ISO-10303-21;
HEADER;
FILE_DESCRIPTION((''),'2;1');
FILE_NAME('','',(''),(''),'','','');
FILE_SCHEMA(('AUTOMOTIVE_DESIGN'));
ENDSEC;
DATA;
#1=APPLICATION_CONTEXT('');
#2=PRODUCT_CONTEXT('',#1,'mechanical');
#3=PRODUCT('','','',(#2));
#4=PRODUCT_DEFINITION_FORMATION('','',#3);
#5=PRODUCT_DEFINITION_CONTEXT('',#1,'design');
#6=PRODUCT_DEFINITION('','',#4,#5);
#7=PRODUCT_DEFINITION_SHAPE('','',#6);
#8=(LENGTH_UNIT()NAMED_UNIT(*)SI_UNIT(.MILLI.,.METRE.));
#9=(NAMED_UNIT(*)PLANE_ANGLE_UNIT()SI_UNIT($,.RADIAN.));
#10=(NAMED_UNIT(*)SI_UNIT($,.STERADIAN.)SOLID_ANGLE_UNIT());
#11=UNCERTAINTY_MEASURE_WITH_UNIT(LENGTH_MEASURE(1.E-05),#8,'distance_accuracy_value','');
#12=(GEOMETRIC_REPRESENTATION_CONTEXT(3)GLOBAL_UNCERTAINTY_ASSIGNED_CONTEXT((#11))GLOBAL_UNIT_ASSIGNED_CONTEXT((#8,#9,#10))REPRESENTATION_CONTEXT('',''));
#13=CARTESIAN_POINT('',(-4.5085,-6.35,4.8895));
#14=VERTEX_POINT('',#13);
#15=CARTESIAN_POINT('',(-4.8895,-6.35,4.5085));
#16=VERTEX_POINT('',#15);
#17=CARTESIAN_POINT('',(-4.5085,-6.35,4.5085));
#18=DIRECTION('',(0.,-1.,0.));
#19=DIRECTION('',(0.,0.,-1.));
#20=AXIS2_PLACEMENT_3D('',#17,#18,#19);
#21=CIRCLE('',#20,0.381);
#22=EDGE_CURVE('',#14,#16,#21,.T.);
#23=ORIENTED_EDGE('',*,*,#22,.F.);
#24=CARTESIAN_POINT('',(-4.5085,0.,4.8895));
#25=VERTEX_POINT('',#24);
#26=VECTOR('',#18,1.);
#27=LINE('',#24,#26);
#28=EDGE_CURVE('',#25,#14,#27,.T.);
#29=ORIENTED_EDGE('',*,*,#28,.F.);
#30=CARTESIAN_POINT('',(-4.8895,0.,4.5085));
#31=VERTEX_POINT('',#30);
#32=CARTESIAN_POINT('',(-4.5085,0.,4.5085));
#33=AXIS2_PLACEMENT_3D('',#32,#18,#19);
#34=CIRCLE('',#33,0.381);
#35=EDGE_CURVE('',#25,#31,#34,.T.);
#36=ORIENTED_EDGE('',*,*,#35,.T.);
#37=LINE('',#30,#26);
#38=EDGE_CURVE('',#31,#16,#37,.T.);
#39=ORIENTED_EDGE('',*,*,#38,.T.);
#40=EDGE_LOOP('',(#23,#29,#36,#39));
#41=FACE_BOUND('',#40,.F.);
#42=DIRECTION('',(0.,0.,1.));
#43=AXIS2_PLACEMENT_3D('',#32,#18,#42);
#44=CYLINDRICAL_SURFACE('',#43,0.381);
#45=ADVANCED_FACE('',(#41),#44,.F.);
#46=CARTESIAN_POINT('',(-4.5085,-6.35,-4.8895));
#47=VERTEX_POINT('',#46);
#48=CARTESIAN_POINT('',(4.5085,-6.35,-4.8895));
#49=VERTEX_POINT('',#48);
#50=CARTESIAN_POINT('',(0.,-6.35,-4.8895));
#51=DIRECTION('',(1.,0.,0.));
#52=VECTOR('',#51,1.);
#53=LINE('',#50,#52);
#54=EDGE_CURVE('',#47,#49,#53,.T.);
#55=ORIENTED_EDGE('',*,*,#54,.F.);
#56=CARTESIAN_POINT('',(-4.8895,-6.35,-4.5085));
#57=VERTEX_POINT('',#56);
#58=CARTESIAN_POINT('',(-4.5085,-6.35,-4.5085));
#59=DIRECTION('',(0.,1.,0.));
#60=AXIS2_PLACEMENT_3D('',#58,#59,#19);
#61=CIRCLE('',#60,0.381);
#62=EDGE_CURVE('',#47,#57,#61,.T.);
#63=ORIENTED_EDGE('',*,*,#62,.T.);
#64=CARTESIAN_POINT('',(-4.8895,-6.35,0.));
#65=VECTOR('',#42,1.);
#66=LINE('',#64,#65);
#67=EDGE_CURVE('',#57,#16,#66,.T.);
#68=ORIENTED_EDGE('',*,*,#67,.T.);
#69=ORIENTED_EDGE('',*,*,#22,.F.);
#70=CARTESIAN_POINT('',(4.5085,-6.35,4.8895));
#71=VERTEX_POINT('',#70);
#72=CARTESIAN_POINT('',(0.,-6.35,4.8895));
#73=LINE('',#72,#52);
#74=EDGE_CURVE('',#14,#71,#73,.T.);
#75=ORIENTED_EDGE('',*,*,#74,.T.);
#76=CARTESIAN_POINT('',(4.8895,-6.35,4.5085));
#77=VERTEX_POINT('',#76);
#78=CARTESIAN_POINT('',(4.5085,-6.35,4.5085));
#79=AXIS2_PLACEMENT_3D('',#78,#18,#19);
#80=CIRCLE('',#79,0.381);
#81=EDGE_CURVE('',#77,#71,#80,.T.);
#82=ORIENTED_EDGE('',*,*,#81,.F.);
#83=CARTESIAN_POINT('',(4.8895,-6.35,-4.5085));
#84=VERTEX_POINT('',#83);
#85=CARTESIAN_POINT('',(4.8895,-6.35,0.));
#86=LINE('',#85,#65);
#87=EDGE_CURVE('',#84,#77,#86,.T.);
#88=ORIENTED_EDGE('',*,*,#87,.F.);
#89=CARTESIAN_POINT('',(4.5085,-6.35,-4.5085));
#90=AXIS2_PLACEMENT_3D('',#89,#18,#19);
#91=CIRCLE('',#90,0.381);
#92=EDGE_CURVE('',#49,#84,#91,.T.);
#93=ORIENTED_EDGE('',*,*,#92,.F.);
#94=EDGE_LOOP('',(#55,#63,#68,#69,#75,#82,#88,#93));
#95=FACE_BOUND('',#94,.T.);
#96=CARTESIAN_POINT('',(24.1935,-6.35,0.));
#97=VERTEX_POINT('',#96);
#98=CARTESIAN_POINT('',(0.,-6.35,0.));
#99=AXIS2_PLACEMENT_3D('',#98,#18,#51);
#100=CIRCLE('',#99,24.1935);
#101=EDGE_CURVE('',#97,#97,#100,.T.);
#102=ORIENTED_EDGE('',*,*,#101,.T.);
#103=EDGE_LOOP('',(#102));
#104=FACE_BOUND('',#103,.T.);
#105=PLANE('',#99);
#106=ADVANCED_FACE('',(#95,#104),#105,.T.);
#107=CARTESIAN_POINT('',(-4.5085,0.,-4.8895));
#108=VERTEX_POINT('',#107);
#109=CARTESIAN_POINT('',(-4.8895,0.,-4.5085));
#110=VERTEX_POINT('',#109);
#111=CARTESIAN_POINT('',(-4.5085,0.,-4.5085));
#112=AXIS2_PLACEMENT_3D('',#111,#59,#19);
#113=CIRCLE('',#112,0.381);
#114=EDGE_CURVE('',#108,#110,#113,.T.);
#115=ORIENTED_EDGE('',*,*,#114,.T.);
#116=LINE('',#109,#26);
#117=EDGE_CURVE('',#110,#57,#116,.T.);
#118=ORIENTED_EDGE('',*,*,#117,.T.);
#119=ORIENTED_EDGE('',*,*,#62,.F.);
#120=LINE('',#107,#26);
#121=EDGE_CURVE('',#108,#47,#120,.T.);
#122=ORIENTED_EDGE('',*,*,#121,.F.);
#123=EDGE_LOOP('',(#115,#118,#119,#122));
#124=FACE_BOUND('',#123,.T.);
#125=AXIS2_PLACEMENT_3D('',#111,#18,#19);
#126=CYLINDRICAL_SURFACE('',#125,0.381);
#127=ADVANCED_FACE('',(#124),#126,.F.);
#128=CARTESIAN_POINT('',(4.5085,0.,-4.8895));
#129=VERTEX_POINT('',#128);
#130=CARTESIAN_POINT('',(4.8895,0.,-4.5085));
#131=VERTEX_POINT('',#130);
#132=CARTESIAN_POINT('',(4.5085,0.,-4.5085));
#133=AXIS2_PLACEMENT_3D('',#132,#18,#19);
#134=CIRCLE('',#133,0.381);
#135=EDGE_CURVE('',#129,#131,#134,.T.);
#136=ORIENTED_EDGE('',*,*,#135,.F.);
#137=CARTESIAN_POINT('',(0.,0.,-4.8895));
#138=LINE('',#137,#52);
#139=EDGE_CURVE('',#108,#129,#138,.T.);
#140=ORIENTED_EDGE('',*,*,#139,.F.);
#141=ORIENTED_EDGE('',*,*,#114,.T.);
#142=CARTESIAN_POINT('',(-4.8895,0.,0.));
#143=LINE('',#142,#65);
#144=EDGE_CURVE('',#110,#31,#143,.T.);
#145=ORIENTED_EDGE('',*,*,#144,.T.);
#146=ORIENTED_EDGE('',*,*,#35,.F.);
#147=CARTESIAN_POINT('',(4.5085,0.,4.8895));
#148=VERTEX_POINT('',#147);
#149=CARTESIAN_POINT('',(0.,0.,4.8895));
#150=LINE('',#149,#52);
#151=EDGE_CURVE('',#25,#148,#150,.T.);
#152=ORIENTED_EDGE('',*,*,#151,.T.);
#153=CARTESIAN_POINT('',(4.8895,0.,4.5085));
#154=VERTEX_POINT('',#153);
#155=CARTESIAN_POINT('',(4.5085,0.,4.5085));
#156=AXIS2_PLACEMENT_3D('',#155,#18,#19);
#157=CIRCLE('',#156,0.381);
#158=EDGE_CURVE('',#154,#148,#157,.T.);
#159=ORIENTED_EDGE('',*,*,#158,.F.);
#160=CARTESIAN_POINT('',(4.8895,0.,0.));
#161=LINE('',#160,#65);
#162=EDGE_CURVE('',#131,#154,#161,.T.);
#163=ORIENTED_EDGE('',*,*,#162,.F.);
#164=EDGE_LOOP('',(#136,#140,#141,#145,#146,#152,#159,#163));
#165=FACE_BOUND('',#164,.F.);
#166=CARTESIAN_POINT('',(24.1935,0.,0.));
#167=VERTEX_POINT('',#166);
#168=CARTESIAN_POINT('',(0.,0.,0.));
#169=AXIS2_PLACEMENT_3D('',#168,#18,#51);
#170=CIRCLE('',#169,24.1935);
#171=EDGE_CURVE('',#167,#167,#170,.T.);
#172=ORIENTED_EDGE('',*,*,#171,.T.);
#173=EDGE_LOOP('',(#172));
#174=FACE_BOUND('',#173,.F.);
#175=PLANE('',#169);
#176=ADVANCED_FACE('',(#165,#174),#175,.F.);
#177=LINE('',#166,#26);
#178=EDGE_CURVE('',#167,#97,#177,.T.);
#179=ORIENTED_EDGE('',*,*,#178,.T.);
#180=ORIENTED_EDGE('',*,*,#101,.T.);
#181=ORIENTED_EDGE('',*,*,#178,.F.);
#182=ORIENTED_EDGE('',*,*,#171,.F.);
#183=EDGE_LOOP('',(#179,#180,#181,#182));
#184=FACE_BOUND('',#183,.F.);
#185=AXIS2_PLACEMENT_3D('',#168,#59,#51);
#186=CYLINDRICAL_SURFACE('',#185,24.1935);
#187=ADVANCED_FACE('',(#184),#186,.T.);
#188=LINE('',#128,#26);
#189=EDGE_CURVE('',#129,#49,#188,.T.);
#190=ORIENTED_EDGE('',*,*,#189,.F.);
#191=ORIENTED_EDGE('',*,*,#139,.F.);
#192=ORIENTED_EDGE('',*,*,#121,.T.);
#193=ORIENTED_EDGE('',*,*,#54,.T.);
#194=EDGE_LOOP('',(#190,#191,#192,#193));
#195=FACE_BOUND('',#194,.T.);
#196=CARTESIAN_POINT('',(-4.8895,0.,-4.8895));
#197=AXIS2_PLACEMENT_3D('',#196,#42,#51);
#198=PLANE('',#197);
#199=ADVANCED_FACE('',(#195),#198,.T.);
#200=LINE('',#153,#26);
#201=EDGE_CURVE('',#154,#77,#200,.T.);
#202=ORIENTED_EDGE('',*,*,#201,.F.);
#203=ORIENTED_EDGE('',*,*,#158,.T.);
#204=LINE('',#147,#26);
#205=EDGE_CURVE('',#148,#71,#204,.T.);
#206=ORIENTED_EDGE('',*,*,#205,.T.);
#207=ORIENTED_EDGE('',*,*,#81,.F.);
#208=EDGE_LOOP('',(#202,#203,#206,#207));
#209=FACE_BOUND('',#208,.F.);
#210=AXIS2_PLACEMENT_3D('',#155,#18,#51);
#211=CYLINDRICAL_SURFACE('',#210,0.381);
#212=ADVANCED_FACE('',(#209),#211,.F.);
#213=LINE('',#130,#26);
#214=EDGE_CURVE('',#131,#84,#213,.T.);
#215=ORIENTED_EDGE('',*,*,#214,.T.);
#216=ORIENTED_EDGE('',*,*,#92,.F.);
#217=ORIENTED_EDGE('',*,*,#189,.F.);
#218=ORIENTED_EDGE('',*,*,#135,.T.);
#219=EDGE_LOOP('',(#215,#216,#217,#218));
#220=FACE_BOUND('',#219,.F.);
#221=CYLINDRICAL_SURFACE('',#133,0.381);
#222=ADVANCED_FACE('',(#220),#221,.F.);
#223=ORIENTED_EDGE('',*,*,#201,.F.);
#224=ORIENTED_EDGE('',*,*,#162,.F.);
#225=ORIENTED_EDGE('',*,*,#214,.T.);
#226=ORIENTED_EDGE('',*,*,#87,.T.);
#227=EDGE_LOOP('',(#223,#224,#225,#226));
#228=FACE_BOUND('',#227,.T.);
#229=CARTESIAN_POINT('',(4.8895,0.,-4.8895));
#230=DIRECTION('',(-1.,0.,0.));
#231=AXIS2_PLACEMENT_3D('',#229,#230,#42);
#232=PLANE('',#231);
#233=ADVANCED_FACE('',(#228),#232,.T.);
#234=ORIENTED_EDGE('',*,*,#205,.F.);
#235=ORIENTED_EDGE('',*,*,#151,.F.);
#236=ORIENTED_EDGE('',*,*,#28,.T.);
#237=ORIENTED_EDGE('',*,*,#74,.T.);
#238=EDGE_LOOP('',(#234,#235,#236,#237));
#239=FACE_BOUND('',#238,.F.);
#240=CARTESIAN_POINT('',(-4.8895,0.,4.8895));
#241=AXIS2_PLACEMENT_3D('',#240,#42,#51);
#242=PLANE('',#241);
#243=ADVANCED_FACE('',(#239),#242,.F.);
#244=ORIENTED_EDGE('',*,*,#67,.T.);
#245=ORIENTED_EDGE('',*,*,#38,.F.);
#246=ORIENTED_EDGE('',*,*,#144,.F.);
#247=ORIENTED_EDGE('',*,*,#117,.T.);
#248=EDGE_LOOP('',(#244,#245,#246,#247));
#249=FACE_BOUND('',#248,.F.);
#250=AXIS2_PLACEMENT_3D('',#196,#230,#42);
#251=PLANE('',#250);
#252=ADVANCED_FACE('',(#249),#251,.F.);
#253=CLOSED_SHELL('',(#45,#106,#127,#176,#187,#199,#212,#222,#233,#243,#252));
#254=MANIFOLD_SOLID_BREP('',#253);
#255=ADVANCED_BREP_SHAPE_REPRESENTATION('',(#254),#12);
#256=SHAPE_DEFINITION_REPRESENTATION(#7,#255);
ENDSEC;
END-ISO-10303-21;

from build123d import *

# Parameters (mm, degrees)
F0_R     = 24.1935
F0_W     = 9.779
F0_H     = 9.779
F1_DEPTH = 6.35
F2_R     = 0.381


with BuildPart() as f1:
    # F0 (on Front) → F1 (new body)
    with BuildSketch(Plane.XZ):
        Circle(F0_R)
        Rectangle(F0_W, F0_H, mode=Mode.SUBTRACT)
    extrude(amount=F1_DEPTH)

    # F2
    f2_edges = [f1.edges().sort_by_distance(p)[0] for p in [
        (4.8895, -3.175, -4.8895),
        (4.8895, -3.175, 4.8895),
        (-4.8895, -3.175, 4.8895),
        (-4.8895, -3.175, -4.8895),
    ]]
    fillet(f2_edges, radius=F2_R)


solid = f1.part
